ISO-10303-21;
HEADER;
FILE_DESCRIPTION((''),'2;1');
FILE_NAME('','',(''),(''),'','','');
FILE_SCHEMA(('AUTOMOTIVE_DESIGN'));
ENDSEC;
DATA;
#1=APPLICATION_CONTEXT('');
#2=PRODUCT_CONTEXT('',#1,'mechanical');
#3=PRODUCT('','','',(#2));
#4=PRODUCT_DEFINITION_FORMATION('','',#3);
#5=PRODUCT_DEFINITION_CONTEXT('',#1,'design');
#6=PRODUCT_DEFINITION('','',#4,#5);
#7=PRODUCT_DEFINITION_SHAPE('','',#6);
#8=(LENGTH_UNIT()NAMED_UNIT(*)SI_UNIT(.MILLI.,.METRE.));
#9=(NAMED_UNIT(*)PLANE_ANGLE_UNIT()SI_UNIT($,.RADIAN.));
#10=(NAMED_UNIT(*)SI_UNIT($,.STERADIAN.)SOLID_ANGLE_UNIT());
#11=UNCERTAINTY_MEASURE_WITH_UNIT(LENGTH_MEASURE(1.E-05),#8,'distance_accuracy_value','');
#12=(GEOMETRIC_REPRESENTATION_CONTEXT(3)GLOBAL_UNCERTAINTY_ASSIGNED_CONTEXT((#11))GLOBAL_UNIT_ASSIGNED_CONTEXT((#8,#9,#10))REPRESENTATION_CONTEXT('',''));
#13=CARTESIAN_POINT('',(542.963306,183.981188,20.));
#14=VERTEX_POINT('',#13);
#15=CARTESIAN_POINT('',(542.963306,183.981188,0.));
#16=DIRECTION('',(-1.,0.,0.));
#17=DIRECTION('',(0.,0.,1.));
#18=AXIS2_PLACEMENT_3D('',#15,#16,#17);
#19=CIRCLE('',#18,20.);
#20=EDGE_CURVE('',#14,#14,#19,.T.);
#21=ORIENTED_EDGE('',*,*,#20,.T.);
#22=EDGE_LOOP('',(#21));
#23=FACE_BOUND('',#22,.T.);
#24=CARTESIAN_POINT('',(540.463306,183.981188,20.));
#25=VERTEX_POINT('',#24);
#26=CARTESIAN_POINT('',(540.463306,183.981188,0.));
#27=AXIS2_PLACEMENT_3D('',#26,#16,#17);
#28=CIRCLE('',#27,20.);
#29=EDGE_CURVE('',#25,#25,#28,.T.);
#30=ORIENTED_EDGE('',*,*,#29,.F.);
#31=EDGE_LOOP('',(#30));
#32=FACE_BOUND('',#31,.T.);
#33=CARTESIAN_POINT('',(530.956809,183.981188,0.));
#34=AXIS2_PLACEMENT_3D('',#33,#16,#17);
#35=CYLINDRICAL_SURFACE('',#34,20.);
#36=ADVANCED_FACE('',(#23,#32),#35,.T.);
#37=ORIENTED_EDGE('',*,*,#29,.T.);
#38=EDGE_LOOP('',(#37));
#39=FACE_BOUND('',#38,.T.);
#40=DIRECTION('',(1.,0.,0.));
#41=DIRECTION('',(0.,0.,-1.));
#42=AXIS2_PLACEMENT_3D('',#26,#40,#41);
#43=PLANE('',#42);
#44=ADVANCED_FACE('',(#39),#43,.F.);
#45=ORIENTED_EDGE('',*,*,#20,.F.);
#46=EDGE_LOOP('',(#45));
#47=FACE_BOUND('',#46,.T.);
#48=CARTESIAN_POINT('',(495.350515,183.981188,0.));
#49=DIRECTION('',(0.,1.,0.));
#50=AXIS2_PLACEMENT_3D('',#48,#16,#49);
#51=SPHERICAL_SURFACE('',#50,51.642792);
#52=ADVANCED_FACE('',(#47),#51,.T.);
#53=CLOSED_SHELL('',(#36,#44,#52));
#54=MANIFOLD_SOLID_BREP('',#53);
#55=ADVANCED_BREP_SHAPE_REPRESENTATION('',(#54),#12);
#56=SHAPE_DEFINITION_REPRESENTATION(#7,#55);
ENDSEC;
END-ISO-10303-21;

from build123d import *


with BuildPart() as part:
    # 草图1 → 旋转1 (revolve)
    with BuildSketch(Plane.XY):
        with BuildLine():
            Line((540.463306299, 183.981187911), (540.463306299, 203.981187911))
            Line((540.463306299, 203.981187911), (542.963306299, 203.981187911))
            ThreePointArc((542.963306299, 203.981187911), (545.975782097, 194.182179284), (546.993306299, 183.981187911))
            Line((546.993306299, 183.981187911), (540.463306299, 183.981187911))
        make_face()
    revolve(axis=Axis((530.956808979, 183.981187911, 0), (1, 0, 0)))


solid = part.part
